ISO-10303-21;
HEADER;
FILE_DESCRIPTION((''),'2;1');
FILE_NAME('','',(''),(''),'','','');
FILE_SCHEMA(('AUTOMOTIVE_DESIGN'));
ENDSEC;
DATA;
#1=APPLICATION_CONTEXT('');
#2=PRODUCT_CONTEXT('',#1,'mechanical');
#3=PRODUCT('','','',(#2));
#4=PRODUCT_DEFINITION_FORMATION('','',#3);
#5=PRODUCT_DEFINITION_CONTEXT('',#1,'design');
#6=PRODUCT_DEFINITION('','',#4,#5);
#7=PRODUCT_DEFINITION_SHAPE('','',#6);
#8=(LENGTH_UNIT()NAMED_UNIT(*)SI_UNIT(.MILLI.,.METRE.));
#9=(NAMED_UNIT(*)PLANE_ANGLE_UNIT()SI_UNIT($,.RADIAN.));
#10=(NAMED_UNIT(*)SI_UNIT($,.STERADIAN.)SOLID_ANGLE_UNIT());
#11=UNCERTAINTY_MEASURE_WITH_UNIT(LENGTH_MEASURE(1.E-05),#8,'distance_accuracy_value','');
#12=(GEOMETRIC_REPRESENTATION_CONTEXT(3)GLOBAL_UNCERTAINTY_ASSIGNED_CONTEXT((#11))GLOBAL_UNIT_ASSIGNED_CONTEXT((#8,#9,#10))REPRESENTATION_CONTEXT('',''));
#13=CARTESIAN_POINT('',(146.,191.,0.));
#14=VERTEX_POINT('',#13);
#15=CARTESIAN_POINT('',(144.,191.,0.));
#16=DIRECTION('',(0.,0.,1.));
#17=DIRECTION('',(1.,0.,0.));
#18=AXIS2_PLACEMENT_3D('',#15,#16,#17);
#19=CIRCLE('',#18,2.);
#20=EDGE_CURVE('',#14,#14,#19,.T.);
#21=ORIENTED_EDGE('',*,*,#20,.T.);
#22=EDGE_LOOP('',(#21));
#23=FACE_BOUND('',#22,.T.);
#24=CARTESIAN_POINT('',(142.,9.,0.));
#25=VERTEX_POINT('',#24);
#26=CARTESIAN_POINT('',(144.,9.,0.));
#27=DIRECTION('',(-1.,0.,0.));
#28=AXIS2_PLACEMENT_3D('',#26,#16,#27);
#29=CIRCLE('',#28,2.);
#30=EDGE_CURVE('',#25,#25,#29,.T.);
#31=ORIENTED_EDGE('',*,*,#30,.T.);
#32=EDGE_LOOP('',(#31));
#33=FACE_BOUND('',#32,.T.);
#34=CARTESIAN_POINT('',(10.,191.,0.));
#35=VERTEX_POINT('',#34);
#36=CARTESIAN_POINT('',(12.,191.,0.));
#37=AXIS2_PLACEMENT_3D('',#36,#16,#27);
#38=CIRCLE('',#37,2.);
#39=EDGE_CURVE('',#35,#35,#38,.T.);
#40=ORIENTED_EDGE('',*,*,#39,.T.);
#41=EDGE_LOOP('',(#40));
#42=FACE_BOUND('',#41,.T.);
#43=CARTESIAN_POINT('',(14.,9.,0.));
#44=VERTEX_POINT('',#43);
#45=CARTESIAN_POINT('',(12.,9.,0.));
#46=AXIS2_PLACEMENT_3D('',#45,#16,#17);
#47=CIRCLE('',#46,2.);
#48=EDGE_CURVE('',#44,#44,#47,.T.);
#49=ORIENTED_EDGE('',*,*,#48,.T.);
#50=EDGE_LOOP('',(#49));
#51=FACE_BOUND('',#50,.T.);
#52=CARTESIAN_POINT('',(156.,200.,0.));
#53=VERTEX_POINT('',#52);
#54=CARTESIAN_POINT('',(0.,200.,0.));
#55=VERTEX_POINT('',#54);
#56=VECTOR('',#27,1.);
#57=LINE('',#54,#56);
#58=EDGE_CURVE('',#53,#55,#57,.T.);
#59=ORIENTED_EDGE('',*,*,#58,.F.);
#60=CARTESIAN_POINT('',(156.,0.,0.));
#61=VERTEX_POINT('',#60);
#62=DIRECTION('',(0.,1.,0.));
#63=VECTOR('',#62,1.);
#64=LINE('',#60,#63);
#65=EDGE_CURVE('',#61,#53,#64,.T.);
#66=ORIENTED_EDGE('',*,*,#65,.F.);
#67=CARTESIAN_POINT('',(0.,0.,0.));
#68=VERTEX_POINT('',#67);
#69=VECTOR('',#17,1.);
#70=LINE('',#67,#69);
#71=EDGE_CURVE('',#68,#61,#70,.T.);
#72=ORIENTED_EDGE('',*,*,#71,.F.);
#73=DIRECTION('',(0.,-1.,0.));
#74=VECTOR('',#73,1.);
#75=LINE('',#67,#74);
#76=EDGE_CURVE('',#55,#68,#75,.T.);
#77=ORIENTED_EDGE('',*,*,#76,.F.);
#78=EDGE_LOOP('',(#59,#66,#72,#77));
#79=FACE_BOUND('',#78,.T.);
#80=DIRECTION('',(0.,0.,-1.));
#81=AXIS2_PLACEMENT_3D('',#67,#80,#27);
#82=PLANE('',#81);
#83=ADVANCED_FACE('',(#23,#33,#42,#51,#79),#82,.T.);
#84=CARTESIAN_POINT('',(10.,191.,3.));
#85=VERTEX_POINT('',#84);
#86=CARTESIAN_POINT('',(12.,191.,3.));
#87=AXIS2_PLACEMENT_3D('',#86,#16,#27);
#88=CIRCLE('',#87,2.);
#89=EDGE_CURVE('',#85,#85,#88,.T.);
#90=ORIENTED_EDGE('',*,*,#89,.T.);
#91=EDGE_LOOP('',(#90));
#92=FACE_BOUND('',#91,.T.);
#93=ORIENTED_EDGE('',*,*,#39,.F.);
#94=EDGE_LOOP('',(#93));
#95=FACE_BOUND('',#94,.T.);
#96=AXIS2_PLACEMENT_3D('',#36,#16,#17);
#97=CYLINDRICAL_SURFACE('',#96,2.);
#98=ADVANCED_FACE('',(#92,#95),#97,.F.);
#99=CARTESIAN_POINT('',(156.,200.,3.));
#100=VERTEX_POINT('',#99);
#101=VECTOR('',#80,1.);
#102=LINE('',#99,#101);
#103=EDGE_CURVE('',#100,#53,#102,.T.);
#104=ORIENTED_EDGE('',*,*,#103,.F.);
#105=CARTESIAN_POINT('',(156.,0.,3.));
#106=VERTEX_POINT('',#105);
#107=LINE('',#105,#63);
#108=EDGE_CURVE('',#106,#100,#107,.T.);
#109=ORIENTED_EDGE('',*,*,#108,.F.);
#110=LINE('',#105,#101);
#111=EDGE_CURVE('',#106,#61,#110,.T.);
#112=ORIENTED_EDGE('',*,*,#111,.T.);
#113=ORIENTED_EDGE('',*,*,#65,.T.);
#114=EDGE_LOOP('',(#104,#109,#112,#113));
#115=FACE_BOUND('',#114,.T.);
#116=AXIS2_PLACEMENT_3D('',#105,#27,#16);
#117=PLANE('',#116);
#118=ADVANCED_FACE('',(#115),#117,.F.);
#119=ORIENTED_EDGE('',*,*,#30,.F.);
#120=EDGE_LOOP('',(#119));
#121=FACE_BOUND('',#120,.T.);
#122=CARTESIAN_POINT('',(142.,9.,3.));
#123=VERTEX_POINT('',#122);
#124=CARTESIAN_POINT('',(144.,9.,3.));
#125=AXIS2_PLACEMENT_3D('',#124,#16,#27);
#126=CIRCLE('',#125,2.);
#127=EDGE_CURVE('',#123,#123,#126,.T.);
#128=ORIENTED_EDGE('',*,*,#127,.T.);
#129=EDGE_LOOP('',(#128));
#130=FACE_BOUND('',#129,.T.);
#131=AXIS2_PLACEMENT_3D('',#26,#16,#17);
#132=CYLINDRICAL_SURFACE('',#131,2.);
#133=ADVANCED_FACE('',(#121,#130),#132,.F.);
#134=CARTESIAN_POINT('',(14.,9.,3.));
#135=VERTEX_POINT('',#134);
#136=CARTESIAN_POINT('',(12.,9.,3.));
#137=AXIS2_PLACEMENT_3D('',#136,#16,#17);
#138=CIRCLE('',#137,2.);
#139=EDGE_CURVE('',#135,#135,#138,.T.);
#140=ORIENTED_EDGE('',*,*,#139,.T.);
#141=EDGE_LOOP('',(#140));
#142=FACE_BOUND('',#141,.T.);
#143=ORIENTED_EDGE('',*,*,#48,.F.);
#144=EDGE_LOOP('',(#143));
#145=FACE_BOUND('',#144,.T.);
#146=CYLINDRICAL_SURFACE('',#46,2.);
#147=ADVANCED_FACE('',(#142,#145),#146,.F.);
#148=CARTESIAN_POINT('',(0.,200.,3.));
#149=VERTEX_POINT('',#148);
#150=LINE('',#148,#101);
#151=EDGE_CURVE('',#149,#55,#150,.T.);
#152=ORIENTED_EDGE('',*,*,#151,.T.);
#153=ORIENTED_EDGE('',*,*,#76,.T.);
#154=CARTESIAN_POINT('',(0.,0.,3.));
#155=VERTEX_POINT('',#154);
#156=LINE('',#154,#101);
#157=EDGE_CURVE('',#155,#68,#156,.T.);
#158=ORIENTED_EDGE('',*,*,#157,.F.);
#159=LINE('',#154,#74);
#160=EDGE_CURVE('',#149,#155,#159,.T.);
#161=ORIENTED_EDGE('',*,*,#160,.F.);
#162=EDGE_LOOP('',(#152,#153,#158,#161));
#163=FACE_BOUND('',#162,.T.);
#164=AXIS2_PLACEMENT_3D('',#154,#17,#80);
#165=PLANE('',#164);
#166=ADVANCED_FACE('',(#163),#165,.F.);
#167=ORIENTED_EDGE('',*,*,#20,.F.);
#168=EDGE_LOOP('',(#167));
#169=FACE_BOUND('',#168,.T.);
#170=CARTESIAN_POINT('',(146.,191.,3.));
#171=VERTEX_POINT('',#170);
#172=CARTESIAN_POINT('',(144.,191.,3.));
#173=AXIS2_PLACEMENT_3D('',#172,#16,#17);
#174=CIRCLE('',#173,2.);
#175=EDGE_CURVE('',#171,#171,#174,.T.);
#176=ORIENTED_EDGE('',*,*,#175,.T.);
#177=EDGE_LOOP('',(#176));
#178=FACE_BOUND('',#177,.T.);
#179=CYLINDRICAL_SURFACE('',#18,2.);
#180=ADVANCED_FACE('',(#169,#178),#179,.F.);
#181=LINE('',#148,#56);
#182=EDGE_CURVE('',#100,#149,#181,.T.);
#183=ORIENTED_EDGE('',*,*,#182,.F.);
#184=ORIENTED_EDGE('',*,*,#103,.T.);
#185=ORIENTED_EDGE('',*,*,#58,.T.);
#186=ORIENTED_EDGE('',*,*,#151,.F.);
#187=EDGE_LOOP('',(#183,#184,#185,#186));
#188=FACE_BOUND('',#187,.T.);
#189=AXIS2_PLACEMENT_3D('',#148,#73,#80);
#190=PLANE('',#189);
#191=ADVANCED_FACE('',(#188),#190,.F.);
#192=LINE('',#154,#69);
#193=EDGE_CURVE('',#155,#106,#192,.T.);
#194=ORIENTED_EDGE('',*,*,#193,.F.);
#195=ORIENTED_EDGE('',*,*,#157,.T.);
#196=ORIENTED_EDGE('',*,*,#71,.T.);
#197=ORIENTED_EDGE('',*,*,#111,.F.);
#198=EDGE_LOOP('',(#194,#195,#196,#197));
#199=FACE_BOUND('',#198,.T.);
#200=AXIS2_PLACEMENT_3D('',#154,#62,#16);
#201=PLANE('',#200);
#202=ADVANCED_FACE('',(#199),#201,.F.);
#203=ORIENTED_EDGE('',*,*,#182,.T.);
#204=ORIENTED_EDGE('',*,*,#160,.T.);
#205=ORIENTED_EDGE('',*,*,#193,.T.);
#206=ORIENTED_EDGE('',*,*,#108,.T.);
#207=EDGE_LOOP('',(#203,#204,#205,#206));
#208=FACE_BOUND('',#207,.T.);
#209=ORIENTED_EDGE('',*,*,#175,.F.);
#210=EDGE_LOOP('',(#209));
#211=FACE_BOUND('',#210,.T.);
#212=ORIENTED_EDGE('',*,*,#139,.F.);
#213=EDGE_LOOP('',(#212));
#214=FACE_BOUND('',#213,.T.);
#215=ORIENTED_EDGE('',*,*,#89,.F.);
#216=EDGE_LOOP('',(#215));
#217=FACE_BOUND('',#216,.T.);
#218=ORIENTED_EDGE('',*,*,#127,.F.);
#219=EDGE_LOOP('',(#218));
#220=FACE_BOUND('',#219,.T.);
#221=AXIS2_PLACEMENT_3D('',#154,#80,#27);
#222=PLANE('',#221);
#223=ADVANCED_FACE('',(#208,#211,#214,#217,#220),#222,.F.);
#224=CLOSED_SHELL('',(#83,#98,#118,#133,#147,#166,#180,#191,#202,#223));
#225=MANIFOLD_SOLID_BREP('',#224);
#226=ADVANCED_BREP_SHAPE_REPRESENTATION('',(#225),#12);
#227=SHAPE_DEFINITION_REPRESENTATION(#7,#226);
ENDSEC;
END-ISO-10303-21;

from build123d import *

# Parameters (mm, degrees)
ESQUISSE1_W             = 156
ESQUISSE1_H             = 200
BOSS_EXTRU_1_DEPTH      = 3
ESQUISSE2_R             = 2
ENL_V_MAT_EXTRU_1_DEPTH = 3


with BuildPart() as part:
    # Esquisse1 → Boss.-Extru.1 (new body)
    with BuildSketch(Plane.XY):
        with Locations((78, 100)):
            Rectangle(ESQUISSE1_W, ESQUISSE1_H)
    extrude(amount=BOSS_EXTRU_1_DEPTH)

    # Esquisse2 → Enlèv. mat.-Extru.1 (cut)
    with BuildSketch(Plane.XY.offset(3)):
        with Locations((12, 9)):
            Circle(ESQUISSE2_R)
        with Locations((144, 9)):
            Circle(ESQUISSE2_R)
        with Locations((144, 191)):
            Circle(ESQUISSE2_R)
        with Locations((12, 191)):
            Circle(ESQUISSE2_R)
    extrude(amount=-ENL_V_MAT_EXTRU_1_DEPTH, mode=Mode.SUBTRACT)


solid = part.part
